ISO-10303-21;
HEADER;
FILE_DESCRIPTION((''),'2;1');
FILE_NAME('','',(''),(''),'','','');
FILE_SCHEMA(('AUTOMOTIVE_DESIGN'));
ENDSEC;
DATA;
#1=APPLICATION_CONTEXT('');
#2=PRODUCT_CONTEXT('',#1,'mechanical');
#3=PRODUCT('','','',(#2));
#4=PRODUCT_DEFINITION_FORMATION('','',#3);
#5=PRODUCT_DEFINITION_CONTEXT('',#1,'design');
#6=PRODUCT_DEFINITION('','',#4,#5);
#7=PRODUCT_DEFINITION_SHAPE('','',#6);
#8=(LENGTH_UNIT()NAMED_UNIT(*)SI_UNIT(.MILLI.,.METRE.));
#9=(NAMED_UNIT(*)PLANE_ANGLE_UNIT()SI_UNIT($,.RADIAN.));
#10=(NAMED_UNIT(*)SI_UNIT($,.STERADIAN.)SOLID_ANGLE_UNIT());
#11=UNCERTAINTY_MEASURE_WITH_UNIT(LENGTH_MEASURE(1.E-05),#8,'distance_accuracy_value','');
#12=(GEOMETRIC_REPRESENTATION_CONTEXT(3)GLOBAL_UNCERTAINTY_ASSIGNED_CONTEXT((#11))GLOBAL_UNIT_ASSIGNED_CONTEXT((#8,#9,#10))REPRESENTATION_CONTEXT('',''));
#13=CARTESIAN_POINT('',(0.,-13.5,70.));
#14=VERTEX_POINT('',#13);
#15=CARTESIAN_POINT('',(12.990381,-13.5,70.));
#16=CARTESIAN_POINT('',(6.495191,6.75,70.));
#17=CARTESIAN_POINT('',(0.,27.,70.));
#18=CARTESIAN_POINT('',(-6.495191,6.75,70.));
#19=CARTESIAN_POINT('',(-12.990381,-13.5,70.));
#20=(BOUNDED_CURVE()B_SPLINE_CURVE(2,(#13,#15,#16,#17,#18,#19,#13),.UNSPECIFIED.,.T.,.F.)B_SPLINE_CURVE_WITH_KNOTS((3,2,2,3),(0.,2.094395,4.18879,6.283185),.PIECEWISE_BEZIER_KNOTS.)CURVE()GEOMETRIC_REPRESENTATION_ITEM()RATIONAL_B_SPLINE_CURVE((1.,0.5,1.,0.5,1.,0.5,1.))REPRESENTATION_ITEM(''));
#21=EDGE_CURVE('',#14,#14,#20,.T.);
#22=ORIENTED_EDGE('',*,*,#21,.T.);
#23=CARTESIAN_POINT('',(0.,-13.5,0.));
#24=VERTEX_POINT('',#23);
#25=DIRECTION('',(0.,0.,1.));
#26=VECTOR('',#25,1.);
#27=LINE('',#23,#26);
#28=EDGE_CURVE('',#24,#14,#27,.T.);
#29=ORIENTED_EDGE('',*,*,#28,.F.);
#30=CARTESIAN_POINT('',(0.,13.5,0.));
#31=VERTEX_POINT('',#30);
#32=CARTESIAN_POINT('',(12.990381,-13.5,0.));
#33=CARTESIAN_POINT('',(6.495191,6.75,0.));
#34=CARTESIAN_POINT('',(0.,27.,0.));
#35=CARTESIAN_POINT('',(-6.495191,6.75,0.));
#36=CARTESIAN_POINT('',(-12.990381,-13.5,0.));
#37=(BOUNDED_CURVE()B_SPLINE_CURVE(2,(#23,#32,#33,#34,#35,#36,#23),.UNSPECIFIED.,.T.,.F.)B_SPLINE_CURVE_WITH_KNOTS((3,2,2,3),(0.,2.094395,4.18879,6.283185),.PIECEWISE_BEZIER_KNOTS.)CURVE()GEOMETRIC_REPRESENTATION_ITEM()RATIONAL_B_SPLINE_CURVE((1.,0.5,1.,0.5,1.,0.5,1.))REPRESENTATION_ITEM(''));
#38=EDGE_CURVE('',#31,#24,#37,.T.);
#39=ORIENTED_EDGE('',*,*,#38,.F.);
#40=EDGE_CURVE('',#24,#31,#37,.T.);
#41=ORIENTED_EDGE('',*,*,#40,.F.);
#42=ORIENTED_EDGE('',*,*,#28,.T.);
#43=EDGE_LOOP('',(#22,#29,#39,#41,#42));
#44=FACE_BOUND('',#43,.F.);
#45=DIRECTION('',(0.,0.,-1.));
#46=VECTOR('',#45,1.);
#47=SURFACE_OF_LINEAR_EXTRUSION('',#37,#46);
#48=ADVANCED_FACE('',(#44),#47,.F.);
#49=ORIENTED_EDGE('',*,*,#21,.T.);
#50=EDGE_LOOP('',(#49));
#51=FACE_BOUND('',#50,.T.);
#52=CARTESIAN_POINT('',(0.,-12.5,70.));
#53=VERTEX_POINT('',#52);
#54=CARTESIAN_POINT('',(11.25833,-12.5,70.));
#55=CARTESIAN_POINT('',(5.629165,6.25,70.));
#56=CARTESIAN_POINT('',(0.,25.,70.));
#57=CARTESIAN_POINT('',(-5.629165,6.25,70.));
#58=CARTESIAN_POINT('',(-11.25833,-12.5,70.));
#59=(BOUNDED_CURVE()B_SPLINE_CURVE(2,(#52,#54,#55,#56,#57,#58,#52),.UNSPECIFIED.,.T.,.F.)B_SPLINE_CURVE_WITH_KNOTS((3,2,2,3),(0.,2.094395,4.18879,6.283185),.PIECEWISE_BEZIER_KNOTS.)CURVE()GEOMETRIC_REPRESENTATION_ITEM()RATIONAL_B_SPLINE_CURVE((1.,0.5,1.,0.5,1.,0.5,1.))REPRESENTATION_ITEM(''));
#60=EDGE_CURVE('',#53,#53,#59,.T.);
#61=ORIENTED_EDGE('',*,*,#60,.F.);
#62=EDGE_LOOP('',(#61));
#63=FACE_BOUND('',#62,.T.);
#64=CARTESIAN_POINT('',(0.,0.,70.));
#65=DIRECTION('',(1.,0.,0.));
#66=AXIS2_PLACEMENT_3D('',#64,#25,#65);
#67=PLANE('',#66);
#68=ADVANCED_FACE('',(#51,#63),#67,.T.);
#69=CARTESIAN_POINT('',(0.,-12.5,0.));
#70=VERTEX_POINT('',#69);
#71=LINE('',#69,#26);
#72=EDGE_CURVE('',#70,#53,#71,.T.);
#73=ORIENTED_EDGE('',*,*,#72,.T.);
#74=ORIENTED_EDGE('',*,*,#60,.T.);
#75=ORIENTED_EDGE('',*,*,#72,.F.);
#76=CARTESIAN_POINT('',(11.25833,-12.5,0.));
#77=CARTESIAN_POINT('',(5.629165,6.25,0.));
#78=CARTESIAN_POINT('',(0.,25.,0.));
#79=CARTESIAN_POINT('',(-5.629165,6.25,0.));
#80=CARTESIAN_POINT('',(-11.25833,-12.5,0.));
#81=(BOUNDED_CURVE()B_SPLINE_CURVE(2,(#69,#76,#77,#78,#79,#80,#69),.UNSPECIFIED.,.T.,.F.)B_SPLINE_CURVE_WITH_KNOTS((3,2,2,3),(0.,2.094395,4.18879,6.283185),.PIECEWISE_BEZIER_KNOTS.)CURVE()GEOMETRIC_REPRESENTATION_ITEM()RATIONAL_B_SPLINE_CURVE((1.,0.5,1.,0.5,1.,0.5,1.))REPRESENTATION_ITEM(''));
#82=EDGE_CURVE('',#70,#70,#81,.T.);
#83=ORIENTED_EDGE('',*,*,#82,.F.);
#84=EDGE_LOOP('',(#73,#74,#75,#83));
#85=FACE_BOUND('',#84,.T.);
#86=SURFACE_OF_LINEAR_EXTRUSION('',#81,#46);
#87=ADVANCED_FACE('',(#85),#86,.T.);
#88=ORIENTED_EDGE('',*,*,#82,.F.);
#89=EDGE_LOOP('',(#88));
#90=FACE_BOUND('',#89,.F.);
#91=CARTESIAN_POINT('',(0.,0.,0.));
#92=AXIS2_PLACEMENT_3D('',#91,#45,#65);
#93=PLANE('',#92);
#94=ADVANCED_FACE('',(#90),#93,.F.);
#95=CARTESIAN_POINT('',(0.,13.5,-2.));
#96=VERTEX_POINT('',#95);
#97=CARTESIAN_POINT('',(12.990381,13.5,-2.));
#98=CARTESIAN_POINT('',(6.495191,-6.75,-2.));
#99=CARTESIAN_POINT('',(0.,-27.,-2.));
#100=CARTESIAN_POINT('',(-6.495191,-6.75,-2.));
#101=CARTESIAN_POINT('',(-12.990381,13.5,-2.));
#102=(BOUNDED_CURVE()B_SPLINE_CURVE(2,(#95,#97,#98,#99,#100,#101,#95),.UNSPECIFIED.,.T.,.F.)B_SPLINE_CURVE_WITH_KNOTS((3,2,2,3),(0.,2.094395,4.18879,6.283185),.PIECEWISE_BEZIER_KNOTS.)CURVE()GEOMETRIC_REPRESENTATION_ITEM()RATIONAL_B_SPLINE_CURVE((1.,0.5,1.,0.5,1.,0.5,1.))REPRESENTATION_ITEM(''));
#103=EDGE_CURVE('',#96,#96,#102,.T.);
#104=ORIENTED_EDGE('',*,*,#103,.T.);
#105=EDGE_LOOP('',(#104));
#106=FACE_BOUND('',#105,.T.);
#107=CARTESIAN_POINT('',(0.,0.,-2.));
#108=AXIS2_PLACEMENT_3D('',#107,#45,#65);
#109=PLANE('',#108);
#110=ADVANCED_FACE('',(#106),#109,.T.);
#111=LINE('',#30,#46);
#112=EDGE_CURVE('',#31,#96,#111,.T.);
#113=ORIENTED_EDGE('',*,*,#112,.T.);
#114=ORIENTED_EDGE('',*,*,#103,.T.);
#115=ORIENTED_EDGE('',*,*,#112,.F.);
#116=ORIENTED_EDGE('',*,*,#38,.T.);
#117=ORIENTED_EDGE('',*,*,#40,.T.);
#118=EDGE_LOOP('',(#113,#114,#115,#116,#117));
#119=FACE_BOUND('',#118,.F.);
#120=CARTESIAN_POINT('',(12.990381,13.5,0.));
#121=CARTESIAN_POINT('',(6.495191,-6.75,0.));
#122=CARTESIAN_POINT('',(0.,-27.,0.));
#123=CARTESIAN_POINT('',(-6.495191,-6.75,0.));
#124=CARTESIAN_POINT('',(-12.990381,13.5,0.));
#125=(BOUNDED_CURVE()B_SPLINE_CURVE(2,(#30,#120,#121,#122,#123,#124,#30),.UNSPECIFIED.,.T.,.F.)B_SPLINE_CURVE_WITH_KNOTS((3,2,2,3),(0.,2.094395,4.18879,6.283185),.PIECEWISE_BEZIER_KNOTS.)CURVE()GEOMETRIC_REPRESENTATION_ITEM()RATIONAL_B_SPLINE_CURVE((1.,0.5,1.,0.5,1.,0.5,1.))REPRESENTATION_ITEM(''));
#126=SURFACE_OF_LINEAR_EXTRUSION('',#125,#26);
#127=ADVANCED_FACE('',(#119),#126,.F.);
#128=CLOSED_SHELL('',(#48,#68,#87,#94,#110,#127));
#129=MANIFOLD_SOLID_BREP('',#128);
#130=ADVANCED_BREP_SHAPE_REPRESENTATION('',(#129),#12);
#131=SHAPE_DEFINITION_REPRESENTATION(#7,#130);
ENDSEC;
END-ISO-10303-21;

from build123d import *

# Parameters (mm, degrees)
F1_DEPTH = 70
F3_DEPTH = 2


with BuildPart() as f1:
    # F0 (on Top) → F1 (new body)
    with BuildSketch(Plane.XY):
        with BuildLine():
            add(Edge.make_bspline(
                [(0, -13.5), (12.990381, -13.5), (6.495191, 6.75), (0, 27), (-6.495191, 6.75), (-12.990381, -13.5), (0, -13.5)],
                knots=[0, 0, 0, 2.094395, 2.094395, 4.18879, 4.18879, 6.283185, 6.283185, 6.283185], degree=2, weights=[1, 0.5, 1, 0.5, 1, 0.5, 1]))
        make_face()
        with BuildLine():
            add(Edge.make_bspline(
                [(0, -12.5), (11.25833, -12.5), (5.629165, 6.25), (0, 25), (-5.629165, 6.25), (-11.25833, -12.5), (0, -12.5)],
                knots=[0, 0, 0, 2.094395, 2.094395, 4.18879, 4.18879, 6.283185, 6.283185, 6.283185], degree=2, weights=[1, 0.5, 1, 0.5, 1, 0.5, 1]))
        make_face(mode=Mode.SUBTRACT)
    extrude(amount=F1_DEPTH)

    # F2 (on face) → F3 (join)
    with BuildSketch(Plane(origin=(0, 0, 0), x_dir=(1, 0, 0), z_dir=(0, 0, -1))):
        with BuildLine():
            add(Edge.make_bspline(
                [(0, -13.5), (12.990381, -13.5), (6.495191, 6.75), (0, 27), (-6.495191, 6.75), (-12.990381, -13.5), (0, -13.5)],
                knots=[0, 0, 0, 2.094395, 2.094395, 4.18879, 4.18879, 6.283185, 6.283185, 6.283185], degree=2, weights=[1, 0.5, 1, 0.5, 1, 0.5, 1]))
        make_face()
    extrude(amount=F3_DEPTH)


solid = f1.part
